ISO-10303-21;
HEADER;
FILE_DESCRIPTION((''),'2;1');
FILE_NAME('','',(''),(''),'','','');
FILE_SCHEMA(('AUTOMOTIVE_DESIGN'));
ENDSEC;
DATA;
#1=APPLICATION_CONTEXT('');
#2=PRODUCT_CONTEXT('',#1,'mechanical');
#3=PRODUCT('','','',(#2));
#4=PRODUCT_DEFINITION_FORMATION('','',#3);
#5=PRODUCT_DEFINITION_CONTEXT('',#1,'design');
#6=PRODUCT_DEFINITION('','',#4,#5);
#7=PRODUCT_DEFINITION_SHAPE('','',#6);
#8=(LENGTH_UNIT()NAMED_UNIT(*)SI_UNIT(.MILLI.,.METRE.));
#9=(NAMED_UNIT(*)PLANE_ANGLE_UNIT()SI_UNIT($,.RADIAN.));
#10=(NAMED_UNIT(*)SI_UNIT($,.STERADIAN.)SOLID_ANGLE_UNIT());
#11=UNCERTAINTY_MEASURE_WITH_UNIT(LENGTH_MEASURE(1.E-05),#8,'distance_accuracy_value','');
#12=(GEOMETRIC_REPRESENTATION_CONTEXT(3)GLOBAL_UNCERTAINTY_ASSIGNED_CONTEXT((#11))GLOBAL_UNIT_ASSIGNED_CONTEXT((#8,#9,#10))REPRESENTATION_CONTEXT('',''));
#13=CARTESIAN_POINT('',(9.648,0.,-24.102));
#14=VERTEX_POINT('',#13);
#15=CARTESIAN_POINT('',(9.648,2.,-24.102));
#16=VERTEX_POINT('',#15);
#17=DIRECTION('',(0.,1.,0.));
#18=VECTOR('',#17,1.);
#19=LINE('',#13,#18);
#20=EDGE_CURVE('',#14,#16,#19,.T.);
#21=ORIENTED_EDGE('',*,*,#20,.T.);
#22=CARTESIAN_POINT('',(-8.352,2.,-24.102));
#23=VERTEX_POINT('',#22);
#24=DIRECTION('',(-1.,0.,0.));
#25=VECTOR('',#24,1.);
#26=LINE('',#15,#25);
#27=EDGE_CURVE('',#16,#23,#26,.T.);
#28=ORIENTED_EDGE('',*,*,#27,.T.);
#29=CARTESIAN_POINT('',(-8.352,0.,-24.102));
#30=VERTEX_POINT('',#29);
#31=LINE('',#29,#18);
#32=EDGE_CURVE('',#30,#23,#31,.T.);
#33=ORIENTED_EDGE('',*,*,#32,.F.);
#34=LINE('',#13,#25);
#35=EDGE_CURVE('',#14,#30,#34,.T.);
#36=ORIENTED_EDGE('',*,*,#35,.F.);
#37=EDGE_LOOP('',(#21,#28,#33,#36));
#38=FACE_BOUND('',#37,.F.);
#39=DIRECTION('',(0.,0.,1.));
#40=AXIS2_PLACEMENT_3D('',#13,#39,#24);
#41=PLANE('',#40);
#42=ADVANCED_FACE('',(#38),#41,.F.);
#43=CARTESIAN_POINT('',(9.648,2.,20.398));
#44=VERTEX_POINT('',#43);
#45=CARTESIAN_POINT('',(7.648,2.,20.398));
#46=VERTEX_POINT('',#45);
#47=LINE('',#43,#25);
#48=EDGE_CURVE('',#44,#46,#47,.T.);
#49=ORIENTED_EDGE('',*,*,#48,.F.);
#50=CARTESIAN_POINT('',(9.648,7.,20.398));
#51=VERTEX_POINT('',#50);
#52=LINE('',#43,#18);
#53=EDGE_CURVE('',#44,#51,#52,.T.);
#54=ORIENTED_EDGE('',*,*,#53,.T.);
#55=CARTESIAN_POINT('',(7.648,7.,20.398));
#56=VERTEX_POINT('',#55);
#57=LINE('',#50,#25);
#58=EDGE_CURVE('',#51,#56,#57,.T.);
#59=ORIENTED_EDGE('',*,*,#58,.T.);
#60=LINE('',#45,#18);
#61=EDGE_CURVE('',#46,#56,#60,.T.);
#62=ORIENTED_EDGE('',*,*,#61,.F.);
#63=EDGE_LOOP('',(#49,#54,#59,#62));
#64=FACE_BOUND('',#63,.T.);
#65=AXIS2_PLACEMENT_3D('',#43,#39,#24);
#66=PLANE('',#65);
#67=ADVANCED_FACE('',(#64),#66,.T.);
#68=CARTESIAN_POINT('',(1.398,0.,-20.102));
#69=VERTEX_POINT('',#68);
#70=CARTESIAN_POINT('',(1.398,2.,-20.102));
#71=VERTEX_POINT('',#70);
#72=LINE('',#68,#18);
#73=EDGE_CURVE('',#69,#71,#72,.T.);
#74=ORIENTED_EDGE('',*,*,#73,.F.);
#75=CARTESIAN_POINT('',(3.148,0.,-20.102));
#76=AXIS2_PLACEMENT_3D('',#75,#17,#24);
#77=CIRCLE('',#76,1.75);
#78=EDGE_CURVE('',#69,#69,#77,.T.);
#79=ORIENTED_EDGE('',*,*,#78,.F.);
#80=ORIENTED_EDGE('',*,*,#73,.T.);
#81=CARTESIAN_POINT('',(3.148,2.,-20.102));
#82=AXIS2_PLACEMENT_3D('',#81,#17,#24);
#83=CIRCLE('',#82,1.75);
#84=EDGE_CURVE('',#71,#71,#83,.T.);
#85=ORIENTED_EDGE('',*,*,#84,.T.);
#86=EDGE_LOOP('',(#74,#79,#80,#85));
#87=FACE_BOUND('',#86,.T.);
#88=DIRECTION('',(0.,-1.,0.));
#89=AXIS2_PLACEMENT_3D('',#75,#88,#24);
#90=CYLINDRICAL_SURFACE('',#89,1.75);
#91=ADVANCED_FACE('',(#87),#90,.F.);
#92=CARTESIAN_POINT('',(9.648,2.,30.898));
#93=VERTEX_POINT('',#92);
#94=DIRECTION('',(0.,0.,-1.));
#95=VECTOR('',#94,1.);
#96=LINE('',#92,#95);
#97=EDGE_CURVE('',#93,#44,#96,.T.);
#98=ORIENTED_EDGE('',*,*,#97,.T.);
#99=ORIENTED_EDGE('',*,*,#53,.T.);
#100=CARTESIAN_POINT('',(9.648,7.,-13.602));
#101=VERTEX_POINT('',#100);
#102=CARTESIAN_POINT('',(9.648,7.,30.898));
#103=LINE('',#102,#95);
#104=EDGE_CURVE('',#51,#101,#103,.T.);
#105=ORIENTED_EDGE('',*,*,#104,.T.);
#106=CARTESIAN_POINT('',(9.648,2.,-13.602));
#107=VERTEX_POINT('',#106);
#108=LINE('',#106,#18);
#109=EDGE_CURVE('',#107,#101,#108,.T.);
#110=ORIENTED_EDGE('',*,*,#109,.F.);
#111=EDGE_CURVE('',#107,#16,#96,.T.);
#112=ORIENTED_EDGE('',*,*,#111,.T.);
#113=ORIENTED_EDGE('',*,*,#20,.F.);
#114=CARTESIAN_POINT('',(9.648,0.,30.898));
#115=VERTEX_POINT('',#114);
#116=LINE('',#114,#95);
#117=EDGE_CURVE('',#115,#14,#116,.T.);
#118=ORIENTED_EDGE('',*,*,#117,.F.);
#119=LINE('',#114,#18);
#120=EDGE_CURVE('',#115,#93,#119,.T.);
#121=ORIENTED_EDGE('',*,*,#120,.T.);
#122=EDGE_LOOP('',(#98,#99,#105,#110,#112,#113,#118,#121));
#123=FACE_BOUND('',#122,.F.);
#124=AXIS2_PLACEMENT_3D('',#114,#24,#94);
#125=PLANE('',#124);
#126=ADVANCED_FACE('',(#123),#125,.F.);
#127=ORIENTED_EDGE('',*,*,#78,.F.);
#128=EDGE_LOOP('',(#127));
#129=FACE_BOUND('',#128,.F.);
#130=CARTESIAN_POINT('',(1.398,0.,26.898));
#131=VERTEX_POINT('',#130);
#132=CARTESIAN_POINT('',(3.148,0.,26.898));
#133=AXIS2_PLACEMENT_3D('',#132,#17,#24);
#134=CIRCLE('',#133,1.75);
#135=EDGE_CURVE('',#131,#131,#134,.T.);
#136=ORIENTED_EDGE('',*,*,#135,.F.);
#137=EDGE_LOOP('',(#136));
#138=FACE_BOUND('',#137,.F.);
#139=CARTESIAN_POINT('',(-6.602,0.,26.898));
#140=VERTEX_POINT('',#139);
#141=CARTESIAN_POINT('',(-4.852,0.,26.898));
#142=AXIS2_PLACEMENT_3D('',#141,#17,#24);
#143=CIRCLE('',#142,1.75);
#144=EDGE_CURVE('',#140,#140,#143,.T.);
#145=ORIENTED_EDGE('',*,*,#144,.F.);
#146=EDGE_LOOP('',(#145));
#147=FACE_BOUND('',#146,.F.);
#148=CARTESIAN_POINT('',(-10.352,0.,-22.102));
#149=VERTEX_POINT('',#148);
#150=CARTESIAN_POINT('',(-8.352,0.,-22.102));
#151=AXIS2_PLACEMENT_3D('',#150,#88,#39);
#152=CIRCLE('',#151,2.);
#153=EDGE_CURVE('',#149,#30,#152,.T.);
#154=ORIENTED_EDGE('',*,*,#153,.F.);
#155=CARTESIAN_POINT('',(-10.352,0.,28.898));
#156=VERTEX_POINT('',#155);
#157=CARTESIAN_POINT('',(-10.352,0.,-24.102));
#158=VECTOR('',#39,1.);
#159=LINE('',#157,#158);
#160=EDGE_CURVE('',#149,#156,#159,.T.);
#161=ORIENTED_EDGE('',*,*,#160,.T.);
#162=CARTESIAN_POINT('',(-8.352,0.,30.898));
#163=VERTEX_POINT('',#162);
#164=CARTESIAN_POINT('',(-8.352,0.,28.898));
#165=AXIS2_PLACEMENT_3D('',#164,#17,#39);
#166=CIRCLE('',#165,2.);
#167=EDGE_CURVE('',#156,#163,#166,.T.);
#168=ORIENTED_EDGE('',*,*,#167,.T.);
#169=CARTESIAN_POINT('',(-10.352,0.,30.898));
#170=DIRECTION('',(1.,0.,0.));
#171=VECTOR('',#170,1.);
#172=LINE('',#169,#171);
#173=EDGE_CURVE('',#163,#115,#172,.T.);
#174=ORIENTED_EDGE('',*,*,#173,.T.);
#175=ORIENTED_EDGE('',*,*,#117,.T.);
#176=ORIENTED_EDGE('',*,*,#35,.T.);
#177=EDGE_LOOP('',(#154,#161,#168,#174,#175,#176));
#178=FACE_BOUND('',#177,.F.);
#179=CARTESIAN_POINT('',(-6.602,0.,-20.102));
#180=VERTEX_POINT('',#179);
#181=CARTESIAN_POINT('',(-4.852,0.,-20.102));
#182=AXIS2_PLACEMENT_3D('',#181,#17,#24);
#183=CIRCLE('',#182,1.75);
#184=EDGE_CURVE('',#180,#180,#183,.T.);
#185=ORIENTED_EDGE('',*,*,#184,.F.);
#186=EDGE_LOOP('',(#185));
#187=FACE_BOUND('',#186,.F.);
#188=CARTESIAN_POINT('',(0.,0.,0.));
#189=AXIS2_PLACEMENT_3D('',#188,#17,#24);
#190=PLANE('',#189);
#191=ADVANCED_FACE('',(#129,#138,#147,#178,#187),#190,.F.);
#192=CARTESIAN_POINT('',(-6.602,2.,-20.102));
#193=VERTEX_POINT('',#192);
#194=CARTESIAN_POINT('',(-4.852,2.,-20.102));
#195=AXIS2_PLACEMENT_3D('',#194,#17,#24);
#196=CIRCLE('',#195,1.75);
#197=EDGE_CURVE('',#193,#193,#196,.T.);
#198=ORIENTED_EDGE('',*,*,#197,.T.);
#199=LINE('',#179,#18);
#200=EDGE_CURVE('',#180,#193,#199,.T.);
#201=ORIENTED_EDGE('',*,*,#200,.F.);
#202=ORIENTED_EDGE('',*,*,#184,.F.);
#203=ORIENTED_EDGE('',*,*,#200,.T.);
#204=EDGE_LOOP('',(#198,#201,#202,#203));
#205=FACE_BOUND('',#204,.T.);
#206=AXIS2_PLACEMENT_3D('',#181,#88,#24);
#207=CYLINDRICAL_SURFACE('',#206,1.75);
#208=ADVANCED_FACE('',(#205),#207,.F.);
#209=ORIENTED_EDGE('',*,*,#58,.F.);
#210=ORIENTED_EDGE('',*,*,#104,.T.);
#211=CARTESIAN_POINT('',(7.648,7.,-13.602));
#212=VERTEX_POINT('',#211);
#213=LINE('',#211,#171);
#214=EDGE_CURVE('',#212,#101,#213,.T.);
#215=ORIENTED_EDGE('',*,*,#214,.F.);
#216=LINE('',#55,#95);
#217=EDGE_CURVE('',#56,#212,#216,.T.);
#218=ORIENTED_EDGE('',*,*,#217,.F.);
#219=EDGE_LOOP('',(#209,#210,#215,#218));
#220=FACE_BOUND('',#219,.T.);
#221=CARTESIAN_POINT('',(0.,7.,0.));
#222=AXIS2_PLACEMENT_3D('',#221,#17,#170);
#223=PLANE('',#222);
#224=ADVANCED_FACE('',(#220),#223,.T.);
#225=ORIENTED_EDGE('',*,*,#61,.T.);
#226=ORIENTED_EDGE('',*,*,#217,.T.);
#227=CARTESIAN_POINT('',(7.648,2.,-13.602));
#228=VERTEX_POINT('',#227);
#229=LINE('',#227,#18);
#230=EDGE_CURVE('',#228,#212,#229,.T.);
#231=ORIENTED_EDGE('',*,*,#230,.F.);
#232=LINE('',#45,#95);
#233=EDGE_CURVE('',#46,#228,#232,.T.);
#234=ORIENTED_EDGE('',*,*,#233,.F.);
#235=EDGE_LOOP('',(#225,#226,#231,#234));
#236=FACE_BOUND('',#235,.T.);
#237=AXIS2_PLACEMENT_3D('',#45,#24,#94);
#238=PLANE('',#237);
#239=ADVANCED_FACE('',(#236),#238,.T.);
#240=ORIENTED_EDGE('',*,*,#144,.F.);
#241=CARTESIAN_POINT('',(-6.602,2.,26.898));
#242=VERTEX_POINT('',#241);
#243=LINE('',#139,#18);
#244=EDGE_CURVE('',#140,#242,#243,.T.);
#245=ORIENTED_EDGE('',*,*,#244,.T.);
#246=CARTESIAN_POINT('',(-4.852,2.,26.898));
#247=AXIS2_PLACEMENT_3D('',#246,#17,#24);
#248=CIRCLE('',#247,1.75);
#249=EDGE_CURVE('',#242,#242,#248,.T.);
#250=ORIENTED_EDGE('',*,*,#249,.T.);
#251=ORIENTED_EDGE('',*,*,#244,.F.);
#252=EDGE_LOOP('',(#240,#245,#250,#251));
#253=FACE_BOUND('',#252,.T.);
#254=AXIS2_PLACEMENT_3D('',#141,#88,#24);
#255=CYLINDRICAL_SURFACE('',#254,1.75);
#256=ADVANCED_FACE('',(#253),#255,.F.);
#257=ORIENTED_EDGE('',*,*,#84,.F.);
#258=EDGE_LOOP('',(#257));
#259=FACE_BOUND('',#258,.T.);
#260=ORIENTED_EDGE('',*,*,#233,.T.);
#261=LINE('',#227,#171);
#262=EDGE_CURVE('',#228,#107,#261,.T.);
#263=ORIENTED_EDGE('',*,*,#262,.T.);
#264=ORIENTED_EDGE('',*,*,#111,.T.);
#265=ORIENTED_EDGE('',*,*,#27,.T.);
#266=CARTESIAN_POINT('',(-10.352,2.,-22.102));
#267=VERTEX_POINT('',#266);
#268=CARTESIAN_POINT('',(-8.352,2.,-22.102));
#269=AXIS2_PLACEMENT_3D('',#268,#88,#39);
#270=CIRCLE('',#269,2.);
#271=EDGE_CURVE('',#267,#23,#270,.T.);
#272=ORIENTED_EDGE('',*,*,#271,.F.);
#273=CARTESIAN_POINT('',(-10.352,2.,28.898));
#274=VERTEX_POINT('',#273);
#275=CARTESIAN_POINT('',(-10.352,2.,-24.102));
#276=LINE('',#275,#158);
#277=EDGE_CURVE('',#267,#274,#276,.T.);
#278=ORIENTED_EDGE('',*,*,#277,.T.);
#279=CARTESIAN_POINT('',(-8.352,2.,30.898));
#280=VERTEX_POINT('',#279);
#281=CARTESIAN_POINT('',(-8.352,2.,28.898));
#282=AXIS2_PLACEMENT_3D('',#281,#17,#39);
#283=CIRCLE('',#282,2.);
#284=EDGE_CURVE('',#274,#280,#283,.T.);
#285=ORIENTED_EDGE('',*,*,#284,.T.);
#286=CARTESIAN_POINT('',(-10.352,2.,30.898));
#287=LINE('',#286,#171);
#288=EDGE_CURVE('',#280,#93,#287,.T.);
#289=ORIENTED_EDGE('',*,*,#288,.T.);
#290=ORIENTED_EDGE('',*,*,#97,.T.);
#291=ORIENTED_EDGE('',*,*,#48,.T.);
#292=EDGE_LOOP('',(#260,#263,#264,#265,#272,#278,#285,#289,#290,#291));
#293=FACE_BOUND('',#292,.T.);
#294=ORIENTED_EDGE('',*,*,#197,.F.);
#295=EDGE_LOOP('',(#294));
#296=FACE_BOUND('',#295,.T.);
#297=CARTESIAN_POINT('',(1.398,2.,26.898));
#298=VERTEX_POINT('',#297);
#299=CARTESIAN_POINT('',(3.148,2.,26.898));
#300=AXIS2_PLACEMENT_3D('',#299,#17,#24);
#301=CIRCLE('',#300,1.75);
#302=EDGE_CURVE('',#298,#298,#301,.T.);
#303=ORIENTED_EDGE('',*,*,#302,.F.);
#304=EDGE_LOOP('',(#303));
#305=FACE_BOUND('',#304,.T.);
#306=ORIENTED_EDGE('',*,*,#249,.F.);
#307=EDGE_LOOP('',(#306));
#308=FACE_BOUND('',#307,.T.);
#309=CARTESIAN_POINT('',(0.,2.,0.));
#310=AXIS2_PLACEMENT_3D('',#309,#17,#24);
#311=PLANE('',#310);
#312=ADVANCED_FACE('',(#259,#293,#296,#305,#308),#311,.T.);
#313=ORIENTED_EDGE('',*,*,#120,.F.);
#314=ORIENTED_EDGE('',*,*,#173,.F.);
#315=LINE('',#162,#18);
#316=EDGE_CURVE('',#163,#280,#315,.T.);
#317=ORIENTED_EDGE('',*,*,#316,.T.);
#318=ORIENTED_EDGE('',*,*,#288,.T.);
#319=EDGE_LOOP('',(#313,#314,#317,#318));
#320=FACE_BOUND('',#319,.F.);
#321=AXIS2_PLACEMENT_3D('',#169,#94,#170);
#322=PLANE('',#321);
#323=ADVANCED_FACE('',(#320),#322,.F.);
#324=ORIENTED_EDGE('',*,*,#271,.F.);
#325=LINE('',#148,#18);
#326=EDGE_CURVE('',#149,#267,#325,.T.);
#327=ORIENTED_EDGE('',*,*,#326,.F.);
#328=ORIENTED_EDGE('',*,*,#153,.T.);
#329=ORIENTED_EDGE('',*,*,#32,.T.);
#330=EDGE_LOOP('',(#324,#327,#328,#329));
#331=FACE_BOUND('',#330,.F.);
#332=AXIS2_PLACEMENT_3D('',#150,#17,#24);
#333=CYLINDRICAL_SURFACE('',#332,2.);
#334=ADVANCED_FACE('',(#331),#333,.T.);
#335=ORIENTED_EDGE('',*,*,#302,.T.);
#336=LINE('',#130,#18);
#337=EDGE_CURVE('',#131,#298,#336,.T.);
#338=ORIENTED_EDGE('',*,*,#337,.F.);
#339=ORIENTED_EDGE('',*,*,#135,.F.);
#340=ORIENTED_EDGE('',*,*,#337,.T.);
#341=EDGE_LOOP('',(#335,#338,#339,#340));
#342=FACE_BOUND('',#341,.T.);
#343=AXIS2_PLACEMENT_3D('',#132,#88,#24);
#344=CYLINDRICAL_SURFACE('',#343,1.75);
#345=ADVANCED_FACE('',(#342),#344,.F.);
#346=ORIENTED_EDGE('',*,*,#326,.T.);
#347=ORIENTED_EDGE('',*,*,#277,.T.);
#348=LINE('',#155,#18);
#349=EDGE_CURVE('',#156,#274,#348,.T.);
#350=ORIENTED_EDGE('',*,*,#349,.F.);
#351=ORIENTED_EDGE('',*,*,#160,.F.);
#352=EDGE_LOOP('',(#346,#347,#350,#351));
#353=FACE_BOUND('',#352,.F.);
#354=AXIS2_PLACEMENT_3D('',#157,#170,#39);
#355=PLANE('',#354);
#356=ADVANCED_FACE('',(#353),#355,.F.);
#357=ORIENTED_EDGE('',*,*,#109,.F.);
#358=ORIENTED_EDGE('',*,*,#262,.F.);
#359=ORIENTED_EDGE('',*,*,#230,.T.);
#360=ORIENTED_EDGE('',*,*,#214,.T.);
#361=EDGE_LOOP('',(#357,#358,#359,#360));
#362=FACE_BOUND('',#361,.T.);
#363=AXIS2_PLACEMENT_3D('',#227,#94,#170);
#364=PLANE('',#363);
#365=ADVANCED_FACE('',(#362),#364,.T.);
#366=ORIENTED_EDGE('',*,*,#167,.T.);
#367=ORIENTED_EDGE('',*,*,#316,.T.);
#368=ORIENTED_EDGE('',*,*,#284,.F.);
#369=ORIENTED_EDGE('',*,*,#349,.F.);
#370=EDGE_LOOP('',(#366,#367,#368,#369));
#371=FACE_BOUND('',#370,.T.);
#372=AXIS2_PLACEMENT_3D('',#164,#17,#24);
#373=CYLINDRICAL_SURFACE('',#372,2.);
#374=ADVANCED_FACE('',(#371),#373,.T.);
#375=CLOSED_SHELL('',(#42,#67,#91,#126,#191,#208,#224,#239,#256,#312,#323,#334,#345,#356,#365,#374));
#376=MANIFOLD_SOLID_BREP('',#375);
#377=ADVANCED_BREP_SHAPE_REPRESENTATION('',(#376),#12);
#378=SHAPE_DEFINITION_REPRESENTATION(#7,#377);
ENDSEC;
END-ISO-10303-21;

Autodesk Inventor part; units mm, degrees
ref_plane "YZ Plane" through (0, 0, 0) normal (1, 0, 0) x (0, 1, 0)
ref_plane "XZ Plane" through (0, 0, 0) normal (0, 1, 0) x (-1, 0, 0)
ref_plane "XY Plane" through (0, 0, 0) normal (0, 0, 1) x (1, 0, 0)
sketch "Sketch1" plane through (0, 0, 0) normal (0, 1, 0) x (-1, 0, 0)
  line L0 (10.352, 30.898) -> (-9.648, 30.898)
  line L1 (-9.648, 30.898) -> (-9.648, -24.102)
  line L2 (-9.648, -24.102) -> (10.352, -24.102)
  line L3 (10.352, -24.102) -> (10.352, 30.898)
  circle A0 centre (4.852, 26.898) radius 1.75
  circle A1 centre (-3.148, 26.898) radius 1.75
  circle A2 centre (4.852, -20.102) radius 1.75
  circle A3 centre (-3.148, -20.102) radius 1.75
  point P0 (0, 0)
  dimension "d0" = 55
  dimension "d1" = 20
  dimension "d2" = 3.5
  dimension "d3" = 3.5
  dimension "d4" = 3.5
  dimension "d5" = 3.5
  dimension "d6" = 4
  dimension "d7" = 4
  dimension "d8" = 4
  dimension "d9" = 4
  dimension "d10" = 5.5
  dimension "d11" = 8
  dimension "d12" = 5.5
  dimension "d13" = 8
extrude "Extrusion1" add sketch "Sketch1" along normal blind 2
sketch "Sketch2" plane through (0, 2, 0) normal (0, 1, 0) x (1, 0, 0)
  line L0 (9.648, -30.898) -> (9.648, 24.102) projected
  line L1 (9.648, -20.398) -> (7.648, -20.398)
  line L2 (7.648, -20.398) -> (7.648, 13.602)
  line L3 (7.648, 13.602) -> (9.648, 13.602)
  line L4 (9.648, 13.602) -> (9.648, -20.398)
  line L5 (-10.352, -30.898) -> (9.648, -30.898) projected
  line L6 (9.648, 24.102) -> (-10.352, 24.102) projected
  point P0 (0, 0)
  dimension "d16" = 2
  dimension "d17" = 34
  dimension "d18" = 10.5
  dimension "d19" = 10.5
extrude "Extrusion2" add sketch "Sketch2" along normal blind 5
fillet "Fillet1" radius 2 2 edges at (-10.352, 1, 30.898) (-10.352, 1, -24.102)
properties part number "SwitchMountTop"
